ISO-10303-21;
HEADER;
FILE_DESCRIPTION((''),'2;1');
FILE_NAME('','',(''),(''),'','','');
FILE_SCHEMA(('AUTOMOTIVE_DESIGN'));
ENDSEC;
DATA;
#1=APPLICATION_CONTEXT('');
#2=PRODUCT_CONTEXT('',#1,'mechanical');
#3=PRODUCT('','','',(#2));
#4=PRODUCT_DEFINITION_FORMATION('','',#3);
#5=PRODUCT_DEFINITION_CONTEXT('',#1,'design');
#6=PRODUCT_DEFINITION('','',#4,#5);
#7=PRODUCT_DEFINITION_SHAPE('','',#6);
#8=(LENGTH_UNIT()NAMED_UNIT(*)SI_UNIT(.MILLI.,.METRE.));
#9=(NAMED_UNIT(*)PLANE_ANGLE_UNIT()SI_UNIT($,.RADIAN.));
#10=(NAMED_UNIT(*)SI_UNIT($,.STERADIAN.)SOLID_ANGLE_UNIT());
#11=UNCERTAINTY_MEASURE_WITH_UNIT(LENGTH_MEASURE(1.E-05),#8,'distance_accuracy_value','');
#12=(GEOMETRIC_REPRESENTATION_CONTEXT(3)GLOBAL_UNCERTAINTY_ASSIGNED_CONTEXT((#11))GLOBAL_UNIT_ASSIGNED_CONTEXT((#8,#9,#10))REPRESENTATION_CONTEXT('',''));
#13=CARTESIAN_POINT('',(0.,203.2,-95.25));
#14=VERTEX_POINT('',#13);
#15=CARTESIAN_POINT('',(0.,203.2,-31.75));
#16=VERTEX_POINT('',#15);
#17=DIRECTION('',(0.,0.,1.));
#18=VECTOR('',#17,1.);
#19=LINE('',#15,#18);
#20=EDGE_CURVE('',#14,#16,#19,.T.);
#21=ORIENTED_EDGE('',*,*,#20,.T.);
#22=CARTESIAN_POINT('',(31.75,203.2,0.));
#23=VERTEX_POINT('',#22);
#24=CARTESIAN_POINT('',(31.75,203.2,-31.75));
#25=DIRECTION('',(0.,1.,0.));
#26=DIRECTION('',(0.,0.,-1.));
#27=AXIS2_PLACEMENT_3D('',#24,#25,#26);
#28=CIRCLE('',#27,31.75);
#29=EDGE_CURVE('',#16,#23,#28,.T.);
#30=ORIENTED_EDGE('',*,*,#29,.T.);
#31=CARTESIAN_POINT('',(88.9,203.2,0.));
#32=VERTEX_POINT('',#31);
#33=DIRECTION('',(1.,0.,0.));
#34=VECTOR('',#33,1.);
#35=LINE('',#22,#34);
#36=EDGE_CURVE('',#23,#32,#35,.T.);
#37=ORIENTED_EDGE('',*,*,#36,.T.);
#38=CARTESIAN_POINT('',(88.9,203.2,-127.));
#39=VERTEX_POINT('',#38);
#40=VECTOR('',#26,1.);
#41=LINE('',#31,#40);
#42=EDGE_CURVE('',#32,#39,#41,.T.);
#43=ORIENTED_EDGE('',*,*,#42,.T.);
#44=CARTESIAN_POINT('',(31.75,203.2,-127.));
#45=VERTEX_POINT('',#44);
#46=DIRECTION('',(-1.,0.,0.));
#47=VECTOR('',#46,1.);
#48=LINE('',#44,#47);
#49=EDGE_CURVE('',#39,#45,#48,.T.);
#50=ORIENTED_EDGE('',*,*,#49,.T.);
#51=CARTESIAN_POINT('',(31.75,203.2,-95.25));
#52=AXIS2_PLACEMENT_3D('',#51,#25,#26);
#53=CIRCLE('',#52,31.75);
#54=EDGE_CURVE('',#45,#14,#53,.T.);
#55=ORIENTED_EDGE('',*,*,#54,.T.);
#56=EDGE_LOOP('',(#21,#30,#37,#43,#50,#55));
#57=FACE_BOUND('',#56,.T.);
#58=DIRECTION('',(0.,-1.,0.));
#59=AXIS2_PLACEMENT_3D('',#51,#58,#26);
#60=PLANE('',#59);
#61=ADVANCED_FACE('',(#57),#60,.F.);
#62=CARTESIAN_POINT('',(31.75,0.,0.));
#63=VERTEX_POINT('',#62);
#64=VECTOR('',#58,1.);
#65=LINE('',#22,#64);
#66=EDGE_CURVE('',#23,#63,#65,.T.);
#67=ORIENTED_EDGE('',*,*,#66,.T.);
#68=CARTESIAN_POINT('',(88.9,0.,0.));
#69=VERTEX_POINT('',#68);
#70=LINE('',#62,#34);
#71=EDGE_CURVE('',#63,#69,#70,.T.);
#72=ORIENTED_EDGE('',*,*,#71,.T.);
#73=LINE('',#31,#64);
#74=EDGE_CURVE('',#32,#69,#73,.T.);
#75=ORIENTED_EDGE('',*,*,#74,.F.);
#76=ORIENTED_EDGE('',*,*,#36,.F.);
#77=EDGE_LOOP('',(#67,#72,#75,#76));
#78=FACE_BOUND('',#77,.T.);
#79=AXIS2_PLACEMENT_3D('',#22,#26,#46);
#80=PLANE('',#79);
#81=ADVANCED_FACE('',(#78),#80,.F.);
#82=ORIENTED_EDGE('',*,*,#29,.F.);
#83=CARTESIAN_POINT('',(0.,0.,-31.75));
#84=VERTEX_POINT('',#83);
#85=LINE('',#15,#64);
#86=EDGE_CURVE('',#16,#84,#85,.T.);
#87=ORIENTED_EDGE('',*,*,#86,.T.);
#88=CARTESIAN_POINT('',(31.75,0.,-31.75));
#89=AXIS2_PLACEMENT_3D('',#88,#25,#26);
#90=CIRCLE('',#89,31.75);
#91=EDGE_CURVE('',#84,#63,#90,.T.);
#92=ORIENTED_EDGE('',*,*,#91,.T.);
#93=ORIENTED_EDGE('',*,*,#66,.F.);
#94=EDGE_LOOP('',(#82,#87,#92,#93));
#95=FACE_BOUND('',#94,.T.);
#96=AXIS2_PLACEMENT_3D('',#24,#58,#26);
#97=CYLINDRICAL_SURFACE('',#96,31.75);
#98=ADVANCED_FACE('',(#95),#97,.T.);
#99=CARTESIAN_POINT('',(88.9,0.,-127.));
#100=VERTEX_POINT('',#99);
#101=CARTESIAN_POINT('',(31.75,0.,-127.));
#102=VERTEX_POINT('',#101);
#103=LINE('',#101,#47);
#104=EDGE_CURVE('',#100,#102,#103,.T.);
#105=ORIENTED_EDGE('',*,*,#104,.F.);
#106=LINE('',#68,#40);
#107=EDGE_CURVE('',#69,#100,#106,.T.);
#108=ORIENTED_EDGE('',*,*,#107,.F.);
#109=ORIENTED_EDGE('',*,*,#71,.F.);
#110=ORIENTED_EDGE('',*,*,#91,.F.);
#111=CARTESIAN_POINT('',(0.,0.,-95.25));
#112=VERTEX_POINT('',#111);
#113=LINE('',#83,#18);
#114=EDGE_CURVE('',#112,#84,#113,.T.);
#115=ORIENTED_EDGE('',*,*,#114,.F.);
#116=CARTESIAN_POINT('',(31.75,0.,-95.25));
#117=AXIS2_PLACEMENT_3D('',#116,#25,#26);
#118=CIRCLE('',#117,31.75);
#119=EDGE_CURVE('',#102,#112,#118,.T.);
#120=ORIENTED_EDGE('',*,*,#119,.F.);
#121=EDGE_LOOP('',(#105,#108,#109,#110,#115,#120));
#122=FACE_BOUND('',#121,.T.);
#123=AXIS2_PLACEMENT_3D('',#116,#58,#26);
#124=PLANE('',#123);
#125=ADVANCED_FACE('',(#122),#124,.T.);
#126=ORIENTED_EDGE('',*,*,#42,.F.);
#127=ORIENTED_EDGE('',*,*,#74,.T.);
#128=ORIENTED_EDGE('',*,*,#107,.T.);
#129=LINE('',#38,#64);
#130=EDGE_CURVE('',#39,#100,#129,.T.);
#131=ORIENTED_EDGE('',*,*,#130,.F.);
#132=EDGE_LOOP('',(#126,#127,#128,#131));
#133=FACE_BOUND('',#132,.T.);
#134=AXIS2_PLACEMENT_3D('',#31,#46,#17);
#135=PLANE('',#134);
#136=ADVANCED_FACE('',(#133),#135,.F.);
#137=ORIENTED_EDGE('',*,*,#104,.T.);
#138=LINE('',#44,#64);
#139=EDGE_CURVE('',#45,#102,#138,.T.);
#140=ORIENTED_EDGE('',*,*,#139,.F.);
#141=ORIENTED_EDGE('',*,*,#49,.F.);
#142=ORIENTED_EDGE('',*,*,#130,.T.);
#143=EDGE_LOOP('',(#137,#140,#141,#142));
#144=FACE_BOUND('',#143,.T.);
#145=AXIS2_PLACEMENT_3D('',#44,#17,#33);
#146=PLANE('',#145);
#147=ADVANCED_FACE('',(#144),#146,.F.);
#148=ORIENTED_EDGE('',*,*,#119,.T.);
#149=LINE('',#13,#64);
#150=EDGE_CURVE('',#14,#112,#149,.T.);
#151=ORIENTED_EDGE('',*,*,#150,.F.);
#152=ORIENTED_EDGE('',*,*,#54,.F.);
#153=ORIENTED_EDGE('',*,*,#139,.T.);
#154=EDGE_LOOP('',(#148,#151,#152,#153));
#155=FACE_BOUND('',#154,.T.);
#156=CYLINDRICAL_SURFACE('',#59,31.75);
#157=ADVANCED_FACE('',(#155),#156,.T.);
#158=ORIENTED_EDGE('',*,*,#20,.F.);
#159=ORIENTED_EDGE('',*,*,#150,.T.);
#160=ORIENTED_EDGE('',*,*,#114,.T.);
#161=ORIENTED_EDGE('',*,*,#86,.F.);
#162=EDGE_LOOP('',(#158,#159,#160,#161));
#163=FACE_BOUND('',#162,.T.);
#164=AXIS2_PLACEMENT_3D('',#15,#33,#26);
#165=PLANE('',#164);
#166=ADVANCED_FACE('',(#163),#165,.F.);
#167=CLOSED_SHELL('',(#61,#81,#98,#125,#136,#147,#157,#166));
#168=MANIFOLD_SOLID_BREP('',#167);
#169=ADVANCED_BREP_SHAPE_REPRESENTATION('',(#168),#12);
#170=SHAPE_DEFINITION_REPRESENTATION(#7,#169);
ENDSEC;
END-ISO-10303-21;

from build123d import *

# Parameters (mm, degrees)
BOSS_EXTRUDE1_DEPTH = 203.2


with BuildPart() as part:
    # Sketch1 → Boss-Extrude1 (new body)
    with BuildSketch(Plane(origin=(0, 0, 0), x_dir=(1, 0, 0), z_dir=(0, 1, 0))):
        with BuildLine():
            Line((31.75, 0), (88.9, 0))
            Line((88.9, 0), (88.9, 127))
            Line((88.9, 127), (31.75, 127))
            ThreePointArc((31.75, 127), (9.299359697, 117.700640303), (0, 95.25))
            Line((0, 95.25), (0, 31.75))
            ThreePointArc((0, 31.75), (9.299359697, 9.299359697), (31.75, 0))
        make_face()
    extrude(amount=BOSS_EXTRUDE1_DEPTH)


solid = part.part
